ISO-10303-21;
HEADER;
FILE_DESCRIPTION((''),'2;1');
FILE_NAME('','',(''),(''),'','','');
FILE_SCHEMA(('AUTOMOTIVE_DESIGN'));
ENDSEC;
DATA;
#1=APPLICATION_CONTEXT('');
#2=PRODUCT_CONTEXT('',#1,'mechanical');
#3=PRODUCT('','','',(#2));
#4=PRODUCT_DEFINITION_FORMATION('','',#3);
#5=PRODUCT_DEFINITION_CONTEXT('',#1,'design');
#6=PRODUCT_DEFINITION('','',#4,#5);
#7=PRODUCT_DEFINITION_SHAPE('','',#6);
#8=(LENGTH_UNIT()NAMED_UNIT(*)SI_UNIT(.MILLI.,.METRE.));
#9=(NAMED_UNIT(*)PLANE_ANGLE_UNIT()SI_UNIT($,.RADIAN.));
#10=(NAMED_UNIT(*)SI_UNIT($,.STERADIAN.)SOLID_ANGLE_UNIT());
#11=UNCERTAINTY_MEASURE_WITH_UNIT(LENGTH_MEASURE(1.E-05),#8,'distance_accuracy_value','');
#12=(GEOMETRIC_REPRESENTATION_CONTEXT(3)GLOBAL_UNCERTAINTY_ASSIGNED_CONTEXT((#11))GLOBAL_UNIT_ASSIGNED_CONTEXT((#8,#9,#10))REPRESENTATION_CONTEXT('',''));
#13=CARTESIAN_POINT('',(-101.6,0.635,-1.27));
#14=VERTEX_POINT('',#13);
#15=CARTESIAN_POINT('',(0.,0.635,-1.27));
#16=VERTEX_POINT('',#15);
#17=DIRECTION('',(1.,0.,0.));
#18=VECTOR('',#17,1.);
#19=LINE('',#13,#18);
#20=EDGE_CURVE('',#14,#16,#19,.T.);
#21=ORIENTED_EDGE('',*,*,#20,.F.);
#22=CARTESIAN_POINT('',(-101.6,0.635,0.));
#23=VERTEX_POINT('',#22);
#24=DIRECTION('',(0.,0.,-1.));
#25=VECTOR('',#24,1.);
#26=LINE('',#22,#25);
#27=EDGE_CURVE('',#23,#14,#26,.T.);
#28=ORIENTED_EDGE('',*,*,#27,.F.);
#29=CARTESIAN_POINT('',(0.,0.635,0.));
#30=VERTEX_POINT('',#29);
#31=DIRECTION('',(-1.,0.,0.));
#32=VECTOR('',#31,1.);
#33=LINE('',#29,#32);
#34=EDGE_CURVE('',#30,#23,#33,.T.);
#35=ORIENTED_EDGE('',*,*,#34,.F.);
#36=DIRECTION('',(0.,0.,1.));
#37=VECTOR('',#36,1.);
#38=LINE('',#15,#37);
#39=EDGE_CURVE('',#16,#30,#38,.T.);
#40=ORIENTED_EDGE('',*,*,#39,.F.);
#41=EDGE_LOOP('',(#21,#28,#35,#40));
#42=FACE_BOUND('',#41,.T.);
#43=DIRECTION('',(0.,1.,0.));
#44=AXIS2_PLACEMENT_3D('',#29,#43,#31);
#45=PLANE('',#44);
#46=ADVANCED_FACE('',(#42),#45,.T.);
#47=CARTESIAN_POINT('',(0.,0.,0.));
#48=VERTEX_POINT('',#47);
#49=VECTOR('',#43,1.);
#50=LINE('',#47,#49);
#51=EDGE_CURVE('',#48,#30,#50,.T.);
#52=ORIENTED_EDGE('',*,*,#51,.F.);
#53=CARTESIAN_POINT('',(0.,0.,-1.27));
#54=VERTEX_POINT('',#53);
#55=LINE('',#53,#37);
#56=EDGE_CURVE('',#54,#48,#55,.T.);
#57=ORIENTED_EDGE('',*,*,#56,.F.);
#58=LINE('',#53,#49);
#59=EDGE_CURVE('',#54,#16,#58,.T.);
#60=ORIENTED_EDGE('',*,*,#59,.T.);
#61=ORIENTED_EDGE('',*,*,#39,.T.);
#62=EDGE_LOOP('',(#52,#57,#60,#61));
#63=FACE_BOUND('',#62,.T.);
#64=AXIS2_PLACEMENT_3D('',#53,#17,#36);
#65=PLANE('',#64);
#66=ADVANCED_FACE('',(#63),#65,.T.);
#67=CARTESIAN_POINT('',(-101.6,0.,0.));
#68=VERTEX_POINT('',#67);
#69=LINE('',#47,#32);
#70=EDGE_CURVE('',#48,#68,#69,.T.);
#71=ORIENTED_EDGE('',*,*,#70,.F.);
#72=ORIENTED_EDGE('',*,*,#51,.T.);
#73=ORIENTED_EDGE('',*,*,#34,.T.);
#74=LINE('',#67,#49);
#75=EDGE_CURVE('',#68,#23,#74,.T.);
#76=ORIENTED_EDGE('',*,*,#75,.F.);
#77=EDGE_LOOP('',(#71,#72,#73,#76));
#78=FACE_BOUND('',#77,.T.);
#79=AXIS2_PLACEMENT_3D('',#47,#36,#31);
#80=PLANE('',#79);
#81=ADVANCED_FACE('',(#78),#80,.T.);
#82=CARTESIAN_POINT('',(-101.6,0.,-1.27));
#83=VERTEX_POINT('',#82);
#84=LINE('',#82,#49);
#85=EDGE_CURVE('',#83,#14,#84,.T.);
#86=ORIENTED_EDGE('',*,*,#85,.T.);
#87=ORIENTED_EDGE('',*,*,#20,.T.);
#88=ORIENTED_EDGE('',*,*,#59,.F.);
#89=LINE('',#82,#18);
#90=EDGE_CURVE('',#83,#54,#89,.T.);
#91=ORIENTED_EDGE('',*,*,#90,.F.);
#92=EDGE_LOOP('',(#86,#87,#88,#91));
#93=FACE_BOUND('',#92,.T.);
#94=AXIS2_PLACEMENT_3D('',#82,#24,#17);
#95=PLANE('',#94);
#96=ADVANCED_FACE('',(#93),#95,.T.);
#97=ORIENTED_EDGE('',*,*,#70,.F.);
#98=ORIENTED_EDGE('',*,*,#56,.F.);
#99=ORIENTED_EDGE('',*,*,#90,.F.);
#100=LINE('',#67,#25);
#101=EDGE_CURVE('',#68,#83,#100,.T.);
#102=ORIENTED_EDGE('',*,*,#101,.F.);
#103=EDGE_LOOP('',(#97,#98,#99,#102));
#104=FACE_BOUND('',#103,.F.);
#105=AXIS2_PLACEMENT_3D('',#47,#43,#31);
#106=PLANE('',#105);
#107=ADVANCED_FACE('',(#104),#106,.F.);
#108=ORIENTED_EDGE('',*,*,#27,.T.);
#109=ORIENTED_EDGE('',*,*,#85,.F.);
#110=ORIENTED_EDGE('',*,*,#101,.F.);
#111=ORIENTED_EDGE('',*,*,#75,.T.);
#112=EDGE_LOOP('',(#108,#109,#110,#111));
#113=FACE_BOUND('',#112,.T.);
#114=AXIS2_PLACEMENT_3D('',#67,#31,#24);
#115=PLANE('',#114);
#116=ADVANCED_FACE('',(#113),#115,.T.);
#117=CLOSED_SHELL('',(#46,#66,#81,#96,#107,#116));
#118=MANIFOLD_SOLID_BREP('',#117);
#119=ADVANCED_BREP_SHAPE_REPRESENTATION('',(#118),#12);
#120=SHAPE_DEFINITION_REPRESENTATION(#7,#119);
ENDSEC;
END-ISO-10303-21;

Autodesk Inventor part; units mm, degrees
ref_plane "YZ Plane" through (0, 0, 0) normal (1, 0, 0) x (0, 1, 0)
ref_plane "XZ Plane" through (0, 0, 0) normal (0, 1, 0) x (-1, 0, 0)
ref_plane "XY Plane" through (0, 0, 0) normal (0, 0, 1) x (1, 0, 0)
sketch "Sketch1" plane through (0, 0, 0) normal (0, 1, 0) x (-1, 0, 0)
  line L0 (0, 0) -> (101.6, 0)
  line L1 (101.6, 0) -> (101.6, -1.27)
  line L2 (101.6, -1.27) -> (0, -1.27)
  line L3 (0, -1.27) -> (0, 0)
  dimension "d0" = 101.6
  dimension "d1" = 1.27
extrude "Extrusion1" add sketch "Sketch1" along normal blind 0.635
properties part number "Bristle"
